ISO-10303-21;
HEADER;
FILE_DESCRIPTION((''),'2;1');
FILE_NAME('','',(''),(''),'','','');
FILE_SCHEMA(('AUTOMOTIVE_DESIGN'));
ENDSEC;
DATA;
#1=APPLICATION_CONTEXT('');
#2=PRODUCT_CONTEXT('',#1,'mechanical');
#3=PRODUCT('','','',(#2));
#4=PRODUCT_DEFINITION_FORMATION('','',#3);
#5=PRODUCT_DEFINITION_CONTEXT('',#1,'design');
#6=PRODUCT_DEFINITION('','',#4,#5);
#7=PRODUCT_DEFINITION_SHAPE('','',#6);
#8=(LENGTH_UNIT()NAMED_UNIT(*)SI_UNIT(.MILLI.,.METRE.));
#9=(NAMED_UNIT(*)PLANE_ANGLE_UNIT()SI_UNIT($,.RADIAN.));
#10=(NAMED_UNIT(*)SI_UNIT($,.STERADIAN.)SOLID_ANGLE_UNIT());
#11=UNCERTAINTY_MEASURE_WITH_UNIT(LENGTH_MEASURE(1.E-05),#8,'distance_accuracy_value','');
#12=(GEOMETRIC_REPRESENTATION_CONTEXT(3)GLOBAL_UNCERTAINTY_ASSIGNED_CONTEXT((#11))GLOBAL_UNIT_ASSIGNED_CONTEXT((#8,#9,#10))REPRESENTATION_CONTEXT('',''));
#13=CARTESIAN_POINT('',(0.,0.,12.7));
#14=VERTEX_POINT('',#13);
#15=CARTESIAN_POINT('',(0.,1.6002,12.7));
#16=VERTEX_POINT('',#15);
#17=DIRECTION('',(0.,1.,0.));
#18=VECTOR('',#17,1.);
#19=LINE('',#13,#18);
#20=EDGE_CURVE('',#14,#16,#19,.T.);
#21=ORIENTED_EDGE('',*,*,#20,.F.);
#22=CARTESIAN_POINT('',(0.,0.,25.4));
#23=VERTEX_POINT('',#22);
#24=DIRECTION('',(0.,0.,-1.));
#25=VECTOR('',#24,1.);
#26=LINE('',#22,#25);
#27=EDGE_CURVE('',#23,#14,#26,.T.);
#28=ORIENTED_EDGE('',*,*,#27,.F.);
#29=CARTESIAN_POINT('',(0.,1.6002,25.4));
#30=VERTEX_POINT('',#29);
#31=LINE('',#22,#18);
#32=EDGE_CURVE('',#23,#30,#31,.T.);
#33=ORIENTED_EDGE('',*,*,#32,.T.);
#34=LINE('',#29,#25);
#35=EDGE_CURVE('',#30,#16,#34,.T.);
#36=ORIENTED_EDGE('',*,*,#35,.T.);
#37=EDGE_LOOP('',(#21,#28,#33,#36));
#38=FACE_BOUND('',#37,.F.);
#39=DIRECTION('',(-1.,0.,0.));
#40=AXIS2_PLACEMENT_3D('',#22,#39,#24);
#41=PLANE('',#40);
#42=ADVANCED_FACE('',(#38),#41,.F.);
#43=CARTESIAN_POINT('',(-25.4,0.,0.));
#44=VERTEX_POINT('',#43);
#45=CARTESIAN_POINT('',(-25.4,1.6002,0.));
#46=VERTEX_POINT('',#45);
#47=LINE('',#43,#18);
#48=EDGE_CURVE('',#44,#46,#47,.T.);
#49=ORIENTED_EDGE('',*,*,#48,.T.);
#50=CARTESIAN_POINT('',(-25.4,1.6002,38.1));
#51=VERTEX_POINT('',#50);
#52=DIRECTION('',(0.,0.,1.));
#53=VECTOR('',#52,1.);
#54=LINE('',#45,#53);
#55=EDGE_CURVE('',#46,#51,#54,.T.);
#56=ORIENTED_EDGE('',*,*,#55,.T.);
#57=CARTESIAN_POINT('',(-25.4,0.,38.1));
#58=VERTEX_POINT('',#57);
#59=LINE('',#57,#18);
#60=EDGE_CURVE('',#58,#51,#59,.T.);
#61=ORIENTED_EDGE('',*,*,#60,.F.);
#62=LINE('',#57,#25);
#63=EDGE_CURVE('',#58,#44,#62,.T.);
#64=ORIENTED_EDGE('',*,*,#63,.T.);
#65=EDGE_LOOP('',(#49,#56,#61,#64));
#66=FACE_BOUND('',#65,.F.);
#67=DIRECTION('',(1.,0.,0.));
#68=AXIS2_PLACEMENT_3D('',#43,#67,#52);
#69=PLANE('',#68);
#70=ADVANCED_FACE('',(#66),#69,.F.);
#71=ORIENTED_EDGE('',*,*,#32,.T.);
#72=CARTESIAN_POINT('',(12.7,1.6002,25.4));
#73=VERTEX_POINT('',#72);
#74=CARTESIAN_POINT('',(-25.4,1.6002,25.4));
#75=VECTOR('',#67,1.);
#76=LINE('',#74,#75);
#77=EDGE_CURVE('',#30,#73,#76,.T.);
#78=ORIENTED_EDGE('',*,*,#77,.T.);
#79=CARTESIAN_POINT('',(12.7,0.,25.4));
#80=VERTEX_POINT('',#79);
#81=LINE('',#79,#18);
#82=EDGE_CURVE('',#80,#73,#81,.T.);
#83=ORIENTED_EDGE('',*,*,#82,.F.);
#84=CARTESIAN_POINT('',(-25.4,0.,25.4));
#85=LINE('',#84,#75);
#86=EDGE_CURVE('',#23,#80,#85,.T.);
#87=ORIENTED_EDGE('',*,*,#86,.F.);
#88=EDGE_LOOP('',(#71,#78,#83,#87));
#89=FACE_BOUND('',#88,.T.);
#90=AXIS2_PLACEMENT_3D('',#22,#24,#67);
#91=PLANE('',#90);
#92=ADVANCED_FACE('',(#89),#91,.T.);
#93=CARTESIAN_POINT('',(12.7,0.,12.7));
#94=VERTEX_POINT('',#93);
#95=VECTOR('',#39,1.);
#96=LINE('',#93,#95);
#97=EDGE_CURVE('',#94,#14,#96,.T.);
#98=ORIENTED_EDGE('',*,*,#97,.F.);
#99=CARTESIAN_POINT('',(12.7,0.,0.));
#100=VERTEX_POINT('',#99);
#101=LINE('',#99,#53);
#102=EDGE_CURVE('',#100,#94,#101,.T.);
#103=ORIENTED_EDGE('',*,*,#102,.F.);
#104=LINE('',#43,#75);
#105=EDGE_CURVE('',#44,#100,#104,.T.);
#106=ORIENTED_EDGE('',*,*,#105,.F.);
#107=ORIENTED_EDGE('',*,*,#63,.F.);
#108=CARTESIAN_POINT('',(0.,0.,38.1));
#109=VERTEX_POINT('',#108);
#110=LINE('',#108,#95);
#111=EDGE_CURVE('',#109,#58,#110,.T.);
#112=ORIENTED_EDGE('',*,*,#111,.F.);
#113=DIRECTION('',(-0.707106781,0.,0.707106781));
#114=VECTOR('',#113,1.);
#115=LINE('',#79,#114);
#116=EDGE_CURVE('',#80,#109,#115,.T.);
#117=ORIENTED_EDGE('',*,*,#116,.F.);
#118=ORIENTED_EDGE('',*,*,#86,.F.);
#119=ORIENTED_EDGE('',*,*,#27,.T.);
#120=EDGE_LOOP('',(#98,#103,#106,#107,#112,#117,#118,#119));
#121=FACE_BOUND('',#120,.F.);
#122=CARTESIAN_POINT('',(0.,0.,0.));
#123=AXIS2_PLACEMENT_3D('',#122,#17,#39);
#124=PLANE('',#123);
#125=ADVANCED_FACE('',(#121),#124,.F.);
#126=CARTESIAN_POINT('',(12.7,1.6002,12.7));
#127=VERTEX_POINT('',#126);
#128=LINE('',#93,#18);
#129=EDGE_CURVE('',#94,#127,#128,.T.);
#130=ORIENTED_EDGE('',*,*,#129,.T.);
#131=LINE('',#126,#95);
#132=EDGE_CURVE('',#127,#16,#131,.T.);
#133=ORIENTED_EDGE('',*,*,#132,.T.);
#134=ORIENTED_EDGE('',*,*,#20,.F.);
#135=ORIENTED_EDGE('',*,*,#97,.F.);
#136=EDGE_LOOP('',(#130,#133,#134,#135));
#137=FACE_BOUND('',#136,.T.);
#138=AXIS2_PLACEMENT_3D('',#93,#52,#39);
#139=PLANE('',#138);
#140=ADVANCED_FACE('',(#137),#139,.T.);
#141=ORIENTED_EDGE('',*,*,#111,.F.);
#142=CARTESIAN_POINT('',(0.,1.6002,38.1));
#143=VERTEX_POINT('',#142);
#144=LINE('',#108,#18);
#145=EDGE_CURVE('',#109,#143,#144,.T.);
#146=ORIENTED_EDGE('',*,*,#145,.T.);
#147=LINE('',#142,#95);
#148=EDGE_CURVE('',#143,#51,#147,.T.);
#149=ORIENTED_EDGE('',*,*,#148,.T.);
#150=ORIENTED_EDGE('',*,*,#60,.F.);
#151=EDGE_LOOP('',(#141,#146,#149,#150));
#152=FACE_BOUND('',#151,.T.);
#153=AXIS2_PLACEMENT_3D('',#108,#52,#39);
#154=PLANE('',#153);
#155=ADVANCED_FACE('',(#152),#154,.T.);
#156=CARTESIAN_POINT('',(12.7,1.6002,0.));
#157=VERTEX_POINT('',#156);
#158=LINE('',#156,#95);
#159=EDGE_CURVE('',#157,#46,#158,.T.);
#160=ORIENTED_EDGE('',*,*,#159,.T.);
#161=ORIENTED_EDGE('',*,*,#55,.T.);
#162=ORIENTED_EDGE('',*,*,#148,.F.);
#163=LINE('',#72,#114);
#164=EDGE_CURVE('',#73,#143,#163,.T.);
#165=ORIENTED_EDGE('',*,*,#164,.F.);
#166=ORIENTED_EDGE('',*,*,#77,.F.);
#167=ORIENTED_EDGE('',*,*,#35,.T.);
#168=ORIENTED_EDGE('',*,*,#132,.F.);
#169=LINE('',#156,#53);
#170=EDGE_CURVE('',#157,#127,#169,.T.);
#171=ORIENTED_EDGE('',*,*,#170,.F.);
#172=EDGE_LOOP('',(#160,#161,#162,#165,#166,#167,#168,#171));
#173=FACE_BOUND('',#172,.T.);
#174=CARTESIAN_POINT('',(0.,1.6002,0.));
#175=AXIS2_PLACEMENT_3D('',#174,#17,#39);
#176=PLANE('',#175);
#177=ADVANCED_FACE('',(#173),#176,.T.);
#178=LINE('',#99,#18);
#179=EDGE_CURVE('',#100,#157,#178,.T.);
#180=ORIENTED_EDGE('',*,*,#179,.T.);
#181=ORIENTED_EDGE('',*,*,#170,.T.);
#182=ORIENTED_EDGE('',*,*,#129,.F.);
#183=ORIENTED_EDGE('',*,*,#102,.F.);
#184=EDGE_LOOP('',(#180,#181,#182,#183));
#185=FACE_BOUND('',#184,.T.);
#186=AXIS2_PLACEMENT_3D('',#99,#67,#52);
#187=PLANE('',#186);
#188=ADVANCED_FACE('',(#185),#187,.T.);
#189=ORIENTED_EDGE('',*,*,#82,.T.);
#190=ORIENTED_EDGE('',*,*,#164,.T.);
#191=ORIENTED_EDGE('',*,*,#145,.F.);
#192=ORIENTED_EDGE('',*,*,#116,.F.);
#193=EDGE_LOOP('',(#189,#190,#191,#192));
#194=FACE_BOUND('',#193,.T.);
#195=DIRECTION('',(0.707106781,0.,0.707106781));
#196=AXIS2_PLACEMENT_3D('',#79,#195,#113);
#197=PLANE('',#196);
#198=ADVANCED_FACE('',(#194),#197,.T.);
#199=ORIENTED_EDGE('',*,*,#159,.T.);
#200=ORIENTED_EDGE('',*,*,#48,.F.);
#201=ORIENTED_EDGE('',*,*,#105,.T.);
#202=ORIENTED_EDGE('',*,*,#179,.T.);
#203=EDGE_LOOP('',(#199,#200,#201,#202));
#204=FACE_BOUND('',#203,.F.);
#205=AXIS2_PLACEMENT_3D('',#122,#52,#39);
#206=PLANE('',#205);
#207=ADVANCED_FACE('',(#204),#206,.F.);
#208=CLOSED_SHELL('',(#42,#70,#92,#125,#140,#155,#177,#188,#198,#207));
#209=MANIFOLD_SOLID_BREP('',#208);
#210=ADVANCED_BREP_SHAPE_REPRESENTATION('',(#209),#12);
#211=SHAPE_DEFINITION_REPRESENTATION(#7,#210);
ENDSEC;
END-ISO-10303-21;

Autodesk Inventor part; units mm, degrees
ref_plane "YZ Plane" through (0, 0, 0) normal (1, 0, 0) x (0, 1, 0)
ref_plane "XZ Plane" through (0, 0, 0) normal (0, 1, 0) x (-1, 0, 0)
ref_plane "XY Plane" through (0, 0, 0) normal (0, 0, 1) x (1, 0, 0)
sketch "Sketch1" plane through (0, 0, 0) normal (0, 1, 0) x (-1, 0, 0)
  line L0 (0, 0) -> (25.4, 0)
  line L1 (25.4, 0) -> (25.4, 25.4)
  line L2 (25.4, 25.4) -> (0, 25.4)
  line L3 (0, 25.4) -> (0, 0)
  line L4 (25.4, 25.4) -> (-12.7, 25.4)
  line L5 (0, 38.1) -> (25.4, 38.1)
  line L6 (25.4, 38.1) -> (25.4, 25.4)
  line L7 (0, 0) -> (-12.7, 0)
  line L8 (-12.7, 0) -> (-12.7, 12.7)
  line L9 (-12.7, 12.7) -> (0, 12.7)
  line L10 (0, 12.7) -> (0, 0)
  line L11 (-12.7, 25.4) -> (0, 38.1)
  dimension "d0" = 25.4
  dimension "d1" = 25.4
  dimension "d4" = 12.7
  dimension "d5" = 12.7
extrude "Extrusion1" add sketch "Sketch1" along normal blind 1.6002
properties part number "BetterTexas"
